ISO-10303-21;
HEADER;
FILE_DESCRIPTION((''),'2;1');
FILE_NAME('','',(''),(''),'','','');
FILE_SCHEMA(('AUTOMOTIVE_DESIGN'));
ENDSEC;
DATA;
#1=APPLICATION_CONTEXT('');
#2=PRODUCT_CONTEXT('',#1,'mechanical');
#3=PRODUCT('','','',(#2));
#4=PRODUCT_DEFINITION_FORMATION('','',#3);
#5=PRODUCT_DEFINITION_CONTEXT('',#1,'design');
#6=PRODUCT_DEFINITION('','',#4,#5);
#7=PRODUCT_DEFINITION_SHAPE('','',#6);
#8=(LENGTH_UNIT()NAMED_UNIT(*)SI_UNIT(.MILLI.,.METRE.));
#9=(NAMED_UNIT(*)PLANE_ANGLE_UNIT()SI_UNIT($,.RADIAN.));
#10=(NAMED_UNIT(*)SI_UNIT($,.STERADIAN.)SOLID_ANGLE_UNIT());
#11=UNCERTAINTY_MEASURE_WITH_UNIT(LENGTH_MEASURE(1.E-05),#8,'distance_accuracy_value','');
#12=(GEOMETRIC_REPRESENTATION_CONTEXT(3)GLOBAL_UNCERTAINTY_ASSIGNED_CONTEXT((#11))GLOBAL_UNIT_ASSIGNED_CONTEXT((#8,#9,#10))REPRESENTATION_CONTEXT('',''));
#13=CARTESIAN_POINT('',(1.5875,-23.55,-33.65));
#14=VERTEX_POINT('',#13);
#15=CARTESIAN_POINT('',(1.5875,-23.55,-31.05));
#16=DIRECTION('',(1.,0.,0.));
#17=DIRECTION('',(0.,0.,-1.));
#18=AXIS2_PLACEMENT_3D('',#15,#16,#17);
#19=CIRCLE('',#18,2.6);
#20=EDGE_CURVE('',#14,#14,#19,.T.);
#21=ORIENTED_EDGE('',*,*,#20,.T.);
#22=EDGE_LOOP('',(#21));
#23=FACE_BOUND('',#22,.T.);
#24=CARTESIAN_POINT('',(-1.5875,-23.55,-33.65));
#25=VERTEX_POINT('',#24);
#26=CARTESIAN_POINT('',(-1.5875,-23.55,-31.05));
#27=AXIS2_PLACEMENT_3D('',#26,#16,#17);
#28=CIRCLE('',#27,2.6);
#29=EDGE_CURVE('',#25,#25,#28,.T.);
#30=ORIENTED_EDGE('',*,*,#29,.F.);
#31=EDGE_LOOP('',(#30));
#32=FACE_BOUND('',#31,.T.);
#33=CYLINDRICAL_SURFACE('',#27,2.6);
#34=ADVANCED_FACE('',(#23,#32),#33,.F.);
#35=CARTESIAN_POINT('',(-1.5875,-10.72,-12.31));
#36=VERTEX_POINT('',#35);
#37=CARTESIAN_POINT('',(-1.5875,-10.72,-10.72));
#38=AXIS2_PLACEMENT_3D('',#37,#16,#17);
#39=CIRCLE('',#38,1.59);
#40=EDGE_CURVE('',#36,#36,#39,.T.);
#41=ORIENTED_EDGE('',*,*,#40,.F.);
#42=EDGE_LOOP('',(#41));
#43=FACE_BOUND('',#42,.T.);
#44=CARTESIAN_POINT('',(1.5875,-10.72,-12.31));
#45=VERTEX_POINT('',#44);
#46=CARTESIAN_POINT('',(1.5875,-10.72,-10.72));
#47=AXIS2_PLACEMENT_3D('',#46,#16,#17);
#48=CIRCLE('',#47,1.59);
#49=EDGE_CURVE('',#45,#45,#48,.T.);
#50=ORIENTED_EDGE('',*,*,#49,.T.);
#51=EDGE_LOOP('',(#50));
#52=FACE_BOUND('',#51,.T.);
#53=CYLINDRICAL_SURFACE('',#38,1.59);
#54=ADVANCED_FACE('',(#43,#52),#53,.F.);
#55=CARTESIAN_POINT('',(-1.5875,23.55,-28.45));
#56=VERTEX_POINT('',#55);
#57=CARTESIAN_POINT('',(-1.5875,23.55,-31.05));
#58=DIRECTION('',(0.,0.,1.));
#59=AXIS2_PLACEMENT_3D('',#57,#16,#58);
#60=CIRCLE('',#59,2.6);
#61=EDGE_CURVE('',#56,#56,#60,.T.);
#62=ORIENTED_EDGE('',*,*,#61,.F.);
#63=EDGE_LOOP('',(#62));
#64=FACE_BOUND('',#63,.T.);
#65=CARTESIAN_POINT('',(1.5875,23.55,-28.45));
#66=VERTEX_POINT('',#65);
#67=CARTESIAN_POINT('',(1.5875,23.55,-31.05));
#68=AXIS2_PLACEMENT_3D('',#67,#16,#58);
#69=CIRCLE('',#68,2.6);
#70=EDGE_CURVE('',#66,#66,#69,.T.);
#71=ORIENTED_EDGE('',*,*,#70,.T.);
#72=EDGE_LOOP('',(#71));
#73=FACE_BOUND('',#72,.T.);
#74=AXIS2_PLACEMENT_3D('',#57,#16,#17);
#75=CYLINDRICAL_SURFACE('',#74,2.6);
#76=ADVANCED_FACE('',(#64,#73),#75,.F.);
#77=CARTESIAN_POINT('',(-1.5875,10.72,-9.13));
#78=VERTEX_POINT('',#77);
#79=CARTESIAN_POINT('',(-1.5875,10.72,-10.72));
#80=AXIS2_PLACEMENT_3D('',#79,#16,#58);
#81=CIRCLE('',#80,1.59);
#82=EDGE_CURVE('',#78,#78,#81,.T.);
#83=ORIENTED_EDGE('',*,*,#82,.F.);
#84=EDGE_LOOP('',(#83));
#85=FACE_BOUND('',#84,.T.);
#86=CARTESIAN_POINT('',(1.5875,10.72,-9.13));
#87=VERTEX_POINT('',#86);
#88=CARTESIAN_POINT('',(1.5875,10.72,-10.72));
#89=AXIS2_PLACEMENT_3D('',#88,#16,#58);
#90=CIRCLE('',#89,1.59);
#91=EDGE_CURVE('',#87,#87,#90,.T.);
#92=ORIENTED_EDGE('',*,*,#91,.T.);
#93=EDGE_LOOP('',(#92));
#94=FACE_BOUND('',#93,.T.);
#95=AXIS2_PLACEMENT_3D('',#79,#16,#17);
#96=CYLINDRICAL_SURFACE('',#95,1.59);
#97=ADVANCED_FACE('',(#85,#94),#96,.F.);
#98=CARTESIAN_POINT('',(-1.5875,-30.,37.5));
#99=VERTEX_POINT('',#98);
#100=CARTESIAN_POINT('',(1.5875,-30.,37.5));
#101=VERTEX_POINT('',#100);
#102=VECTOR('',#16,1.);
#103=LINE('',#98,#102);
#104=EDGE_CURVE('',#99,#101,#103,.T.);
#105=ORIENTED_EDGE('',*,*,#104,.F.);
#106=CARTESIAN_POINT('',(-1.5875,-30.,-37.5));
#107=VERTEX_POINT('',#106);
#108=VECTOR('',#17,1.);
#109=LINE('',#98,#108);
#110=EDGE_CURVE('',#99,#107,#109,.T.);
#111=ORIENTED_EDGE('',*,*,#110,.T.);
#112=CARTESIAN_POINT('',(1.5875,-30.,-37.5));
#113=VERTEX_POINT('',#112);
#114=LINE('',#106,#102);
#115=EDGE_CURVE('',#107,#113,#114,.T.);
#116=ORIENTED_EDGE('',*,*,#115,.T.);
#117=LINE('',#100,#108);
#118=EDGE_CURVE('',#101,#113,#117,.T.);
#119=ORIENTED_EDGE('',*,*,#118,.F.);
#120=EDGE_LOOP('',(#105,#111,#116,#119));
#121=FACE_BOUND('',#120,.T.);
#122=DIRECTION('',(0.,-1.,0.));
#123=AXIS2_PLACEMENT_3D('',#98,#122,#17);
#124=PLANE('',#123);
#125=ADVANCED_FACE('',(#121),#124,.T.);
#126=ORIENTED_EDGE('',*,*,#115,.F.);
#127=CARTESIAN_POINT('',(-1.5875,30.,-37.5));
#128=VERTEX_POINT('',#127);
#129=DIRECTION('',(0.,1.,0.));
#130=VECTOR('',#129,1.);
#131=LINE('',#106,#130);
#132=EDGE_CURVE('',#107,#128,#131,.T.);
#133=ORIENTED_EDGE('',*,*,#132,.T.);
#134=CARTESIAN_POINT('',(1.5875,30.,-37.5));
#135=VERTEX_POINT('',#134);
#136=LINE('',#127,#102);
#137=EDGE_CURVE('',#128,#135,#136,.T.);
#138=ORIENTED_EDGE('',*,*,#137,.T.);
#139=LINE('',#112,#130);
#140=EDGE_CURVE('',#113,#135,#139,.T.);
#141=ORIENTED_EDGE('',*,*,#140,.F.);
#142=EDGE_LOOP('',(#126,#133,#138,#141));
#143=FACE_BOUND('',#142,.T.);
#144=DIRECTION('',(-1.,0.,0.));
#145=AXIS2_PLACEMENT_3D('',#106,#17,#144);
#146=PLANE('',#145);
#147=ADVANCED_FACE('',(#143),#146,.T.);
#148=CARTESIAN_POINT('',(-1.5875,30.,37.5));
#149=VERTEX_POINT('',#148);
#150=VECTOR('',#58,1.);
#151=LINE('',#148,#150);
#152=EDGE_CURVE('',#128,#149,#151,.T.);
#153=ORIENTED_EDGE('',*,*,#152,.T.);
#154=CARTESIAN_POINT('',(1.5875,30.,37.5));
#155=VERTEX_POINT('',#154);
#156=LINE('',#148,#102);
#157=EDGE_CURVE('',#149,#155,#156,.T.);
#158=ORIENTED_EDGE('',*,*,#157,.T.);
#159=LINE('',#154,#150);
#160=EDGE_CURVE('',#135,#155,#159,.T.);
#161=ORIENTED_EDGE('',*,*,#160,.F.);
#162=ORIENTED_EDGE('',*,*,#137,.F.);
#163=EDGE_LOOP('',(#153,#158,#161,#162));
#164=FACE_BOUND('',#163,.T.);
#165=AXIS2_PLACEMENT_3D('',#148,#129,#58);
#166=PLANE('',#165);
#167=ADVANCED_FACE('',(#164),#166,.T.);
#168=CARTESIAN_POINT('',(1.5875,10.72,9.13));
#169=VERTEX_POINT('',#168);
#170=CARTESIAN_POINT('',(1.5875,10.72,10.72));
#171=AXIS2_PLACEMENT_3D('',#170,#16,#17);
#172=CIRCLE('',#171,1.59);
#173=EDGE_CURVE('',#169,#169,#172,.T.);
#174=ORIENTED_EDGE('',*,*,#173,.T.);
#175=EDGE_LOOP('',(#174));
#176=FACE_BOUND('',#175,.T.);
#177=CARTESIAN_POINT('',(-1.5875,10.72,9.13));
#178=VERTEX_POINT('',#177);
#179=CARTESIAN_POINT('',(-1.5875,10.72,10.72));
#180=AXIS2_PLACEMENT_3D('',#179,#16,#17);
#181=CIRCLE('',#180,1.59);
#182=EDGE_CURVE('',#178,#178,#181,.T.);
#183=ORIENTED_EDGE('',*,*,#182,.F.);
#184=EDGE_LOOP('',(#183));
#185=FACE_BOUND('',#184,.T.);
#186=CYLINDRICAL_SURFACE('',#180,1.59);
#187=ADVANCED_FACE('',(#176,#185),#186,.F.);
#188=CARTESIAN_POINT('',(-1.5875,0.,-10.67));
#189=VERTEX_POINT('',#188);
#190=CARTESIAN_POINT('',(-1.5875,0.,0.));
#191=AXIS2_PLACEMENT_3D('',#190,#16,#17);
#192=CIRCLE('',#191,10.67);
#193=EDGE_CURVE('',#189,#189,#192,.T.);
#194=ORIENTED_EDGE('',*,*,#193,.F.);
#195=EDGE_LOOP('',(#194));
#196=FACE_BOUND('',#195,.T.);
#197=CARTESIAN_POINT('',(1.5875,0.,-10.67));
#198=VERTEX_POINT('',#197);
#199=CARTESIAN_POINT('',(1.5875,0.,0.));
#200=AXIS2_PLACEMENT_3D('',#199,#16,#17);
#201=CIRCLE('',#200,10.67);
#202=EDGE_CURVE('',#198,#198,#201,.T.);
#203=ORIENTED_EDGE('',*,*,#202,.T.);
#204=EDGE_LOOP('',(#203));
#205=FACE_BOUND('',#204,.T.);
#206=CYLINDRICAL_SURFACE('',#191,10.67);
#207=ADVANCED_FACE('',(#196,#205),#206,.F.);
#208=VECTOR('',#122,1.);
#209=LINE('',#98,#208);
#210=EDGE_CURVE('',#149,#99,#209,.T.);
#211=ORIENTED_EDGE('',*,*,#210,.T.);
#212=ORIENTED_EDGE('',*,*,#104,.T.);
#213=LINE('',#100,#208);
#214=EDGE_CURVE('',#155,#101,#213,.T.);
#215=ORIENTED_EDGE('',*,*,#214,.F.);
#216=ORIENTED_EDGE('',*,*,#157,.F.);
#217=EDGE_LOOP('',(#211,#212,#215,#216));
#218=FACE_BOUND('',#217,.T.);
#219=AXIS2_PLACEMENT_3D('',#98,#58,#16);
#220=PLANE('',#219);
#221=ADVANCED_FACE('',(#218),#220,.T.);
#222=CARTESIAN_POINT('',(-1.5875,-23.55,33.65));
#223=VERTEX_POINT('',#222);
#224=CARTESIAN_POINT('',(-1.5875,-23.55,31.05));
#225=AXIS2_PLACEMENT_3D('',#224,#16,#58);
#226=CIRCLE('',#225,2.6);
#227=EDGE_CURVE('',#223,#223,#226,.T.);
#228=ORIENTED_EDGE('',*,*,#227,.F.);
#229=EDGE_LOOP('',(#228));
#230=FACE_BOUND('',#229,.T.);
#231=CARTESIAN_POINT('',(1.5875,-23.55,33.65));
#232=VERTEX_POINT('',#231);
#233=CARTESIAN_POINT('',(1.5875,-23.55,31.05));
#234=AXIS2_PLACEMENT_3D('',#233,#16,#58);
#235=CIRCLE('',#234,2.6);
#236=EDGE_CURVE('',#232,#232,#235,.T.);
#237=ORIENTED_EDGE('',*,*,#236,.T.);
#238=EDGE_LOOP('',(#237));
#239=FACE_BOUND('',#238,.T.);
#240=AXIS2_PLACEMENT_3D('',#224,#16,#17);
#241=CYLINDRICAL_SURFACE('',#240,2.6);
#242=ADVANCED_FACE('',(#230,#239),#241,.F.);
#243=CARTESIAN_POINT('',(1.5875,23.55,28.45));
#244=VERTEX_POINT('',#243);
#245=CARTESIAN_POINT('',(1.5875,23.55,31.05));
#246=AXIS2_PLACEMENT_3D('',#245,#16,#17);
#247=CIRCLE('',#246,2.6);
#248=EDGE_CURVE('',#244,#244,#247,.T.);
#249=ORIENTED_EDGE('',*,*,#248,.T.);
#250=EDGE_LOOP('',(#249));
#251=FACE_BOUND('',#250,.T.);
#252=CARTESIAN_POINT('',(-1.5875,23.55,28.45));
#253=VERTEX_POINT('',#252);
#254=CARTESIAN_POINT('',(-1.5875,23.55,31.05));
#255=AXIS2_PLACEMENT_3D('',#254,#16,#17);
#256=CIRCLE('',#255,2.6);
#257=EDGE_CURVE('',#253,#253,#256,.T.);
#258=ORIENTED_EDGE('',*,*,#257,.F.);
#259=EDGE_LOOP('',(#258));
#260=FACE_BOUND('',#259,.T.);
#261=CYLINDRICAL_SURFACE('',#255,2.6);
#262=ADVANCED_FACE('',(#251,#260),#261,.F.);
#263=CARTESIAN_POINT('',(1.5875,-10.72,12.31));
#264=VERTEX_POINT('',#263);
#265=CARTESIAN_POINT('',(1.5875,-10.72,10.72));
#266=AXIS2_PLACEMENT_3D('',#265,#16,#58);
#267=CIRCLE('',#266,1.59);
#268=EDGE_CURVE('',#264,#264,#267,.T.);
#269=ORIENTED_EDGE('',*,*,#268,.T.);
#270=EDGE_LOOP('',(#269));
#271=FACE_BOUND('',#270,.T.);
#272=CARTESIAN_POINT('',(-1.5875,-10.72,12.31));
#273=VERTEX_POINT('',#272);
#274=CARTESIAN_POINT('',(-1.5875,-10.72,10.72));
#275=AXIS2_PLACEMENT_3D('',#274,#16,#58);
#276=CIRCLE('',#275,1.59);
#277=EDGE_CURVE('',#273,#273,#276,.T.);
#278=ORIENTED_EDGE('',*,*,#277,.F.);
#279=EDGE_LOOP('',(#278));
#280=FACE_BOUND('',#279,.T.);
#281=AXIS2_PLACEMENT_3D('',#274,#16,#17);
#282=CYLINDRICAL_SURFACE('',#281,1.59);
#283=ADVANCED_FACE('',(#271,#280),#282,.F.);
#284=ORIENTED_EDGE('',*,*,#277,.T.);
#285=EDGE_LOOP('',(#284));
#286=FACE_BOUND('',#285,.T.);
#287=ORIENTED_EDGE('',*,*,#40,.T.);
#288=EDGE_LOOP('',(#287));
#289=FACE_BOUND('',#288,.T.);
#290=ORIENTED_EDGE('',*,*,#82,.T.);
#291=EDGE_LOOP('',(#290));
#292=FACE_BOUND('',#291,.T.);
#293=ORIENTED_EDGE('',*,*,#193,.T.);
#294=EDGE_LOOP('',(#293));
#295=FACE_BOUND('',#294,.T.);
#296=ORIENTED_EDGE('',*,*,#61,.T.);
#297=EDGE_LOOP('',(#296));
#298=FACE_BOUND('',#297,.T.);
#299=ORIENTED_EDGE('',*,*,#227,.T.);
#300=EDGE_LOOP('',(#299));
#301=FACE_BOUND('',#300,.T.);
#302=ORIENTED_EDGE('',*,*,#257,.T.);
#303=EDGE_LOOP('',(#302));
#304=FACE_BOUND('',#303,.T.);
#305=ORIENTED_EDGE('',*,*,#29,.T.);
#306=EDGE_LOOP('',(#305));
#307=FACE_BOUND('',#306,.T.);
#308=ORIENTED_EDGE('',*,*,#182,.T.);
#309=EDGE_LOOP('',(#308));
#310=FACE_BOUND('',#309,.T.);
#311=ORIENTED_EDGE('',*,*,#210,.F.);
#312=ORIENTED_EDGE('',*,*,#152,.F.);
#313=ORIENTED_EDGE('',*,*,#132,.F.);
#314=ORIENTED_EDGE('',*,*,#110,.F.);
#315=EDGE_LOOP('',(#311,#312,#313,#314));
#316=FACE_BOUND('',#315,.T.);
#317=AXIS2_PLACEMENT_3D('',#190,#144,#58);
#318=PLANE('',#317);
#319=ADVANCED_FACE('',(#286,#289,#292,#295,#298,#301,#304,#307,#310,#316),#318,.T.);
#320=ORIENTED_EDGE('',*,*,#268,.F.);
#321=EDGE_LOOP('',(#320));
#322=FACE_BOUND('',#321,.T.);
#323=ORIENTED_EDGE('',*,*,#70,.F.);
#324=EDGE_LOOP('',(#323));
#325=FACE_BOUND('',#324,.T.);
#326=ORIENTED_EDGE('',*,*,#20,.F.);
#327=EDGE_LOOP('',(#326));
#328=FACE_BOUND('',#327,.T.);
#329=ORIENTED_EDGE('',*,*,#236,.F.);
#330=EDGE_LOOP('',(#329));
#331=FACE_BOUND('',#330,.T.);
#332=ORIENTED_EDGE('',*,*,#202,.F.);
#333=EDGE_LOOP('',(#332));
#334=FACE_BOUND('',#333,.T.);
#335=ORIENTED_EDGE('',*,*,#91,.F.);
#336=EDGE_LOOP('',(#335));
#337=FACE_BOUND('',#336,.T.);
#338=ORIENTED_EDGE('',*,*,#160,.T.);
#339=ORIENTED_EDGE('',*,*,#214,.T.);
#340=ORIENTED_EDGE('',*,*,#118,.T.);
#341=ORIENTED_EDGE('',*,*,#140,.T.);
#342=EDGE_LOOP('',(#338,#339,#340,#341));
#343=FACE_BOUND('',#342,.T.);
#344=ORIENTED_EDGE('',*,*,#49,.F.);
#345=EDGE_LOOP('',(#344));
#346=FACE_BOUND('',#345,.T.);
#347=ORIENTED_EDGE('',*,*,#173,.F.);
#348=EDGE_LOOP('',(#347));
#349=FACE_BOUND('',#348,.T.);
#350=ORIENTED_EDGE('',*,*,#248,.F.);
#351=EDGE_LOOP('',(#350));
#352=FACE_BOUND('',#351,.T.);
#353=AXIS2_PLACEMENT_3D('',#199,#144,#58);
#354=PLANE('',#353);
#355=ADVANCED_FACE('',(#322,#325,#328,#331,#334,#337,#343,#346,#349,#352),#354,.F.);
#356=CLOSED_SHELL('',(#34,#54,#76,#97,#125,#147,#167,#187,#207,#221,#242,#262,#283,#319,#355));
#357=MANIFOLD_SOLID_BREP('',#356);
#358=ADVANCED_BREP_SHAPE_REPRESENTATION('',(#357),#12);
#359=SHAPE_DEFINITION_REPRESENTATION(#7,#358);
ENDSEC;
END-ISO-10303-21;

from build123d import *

# Parameters (mm, degrees)
BOSS_EXTRUDE1_DEPTH      = 1.5875
BOSS_EXTRUDE1_DEPTH_BACK = 1.5875
SKETCH1_W                = 75
SKETCH1_H                = 60
CUT_EXTRUDE1_DEPTH       = 49.049663435
CUT_EXTRUDE1_DEPTH_BACK  = 49.049663435
SKETCH2_R                = 2.6
CUT_EXTRUDE2_DEPTH       = 49.049663435
CUT_EXTRUDE2_DEPTH_BACK  = 49.049663435
SKETCH3_R                = 10.67
SKETCH3_R_2              = 1.59


with BuildPart() as part:
    # Sketch1 → Boss-Extrude1 (new, two sides: drawn at the far end of the back side and taken through both)
    with BuildSketch(Plane(origin=(0, 0, 0), x_dir=(0, 0, -1), z_dir=(1, 0, 0)).offset(-BOSS_EXTRUDE1_DEPTH_BACK)):
        Rectangle(SKETCH1_W, SKETCH1_H)
    extrude(amount=BOSS_EXTRUDE1_DEPTH + BOSS_EXTRUDE1_DEPTH_BACK)

    # Sketch2 → Cut-Extrude1 (cut, two sides: drawn at the far end of the back side and taken through both)
    with BuildSketch(Plane(origin=(0, 0, 0), x_dir=(0, 0, -1), z_dir=(1, 0, 0)).offset(-CUT_EXTRUDE1_DEPTH_BACK)):
        with Locations((-31.05, 23.55)):
            Circle(SKETCH2_R)
        with Locations((31.05, 23.55)):
            Circle(SKETCH2_R)
        with Locations((31.05, -23.55)):
            Circle(SKETCH2_R)
        with Locations((-31.05, -23.55)):
            Circle(SKETCH2_R)
    extrude(amount=CUT_EXTRUDE1_DEPTH + CUT_EXTRUDE1_DEPTH_BACK, mode=Mode.SUBTRACT)

    # Sketch3 → Cut-Extrude2 (cut, two sides: drawn at the far end of the back side and taken through both)
    with BuildSketch(Plane(origin=(0, 0, 0), x_dir=(0, 0, -1), z_dir=(1, 0, 0)).offset(-CUT_EXTRUDE2_DEPTH_BACK)):
        Circle(SKETCH3_R)
        with Locations((-10.72, 10.72)):
            Circle(SKETCH3_R_2)
        with Locations((10.72, 10.72)):
            Circle(SKETCH3_R_2)
        with Locations((10.72, -10.72)):
            Circle(SKETCH3_R_2)
        with Locations((-10.72, -10.72)):
            Circle(SKETCH3_R_2)
    extrude(amount=CUT_EXTRUDE2_DEPTH + CUT_EXTRUDE2_DEPTH_BACK, mode=Mode.SUBTRACT)


solid = part.part
